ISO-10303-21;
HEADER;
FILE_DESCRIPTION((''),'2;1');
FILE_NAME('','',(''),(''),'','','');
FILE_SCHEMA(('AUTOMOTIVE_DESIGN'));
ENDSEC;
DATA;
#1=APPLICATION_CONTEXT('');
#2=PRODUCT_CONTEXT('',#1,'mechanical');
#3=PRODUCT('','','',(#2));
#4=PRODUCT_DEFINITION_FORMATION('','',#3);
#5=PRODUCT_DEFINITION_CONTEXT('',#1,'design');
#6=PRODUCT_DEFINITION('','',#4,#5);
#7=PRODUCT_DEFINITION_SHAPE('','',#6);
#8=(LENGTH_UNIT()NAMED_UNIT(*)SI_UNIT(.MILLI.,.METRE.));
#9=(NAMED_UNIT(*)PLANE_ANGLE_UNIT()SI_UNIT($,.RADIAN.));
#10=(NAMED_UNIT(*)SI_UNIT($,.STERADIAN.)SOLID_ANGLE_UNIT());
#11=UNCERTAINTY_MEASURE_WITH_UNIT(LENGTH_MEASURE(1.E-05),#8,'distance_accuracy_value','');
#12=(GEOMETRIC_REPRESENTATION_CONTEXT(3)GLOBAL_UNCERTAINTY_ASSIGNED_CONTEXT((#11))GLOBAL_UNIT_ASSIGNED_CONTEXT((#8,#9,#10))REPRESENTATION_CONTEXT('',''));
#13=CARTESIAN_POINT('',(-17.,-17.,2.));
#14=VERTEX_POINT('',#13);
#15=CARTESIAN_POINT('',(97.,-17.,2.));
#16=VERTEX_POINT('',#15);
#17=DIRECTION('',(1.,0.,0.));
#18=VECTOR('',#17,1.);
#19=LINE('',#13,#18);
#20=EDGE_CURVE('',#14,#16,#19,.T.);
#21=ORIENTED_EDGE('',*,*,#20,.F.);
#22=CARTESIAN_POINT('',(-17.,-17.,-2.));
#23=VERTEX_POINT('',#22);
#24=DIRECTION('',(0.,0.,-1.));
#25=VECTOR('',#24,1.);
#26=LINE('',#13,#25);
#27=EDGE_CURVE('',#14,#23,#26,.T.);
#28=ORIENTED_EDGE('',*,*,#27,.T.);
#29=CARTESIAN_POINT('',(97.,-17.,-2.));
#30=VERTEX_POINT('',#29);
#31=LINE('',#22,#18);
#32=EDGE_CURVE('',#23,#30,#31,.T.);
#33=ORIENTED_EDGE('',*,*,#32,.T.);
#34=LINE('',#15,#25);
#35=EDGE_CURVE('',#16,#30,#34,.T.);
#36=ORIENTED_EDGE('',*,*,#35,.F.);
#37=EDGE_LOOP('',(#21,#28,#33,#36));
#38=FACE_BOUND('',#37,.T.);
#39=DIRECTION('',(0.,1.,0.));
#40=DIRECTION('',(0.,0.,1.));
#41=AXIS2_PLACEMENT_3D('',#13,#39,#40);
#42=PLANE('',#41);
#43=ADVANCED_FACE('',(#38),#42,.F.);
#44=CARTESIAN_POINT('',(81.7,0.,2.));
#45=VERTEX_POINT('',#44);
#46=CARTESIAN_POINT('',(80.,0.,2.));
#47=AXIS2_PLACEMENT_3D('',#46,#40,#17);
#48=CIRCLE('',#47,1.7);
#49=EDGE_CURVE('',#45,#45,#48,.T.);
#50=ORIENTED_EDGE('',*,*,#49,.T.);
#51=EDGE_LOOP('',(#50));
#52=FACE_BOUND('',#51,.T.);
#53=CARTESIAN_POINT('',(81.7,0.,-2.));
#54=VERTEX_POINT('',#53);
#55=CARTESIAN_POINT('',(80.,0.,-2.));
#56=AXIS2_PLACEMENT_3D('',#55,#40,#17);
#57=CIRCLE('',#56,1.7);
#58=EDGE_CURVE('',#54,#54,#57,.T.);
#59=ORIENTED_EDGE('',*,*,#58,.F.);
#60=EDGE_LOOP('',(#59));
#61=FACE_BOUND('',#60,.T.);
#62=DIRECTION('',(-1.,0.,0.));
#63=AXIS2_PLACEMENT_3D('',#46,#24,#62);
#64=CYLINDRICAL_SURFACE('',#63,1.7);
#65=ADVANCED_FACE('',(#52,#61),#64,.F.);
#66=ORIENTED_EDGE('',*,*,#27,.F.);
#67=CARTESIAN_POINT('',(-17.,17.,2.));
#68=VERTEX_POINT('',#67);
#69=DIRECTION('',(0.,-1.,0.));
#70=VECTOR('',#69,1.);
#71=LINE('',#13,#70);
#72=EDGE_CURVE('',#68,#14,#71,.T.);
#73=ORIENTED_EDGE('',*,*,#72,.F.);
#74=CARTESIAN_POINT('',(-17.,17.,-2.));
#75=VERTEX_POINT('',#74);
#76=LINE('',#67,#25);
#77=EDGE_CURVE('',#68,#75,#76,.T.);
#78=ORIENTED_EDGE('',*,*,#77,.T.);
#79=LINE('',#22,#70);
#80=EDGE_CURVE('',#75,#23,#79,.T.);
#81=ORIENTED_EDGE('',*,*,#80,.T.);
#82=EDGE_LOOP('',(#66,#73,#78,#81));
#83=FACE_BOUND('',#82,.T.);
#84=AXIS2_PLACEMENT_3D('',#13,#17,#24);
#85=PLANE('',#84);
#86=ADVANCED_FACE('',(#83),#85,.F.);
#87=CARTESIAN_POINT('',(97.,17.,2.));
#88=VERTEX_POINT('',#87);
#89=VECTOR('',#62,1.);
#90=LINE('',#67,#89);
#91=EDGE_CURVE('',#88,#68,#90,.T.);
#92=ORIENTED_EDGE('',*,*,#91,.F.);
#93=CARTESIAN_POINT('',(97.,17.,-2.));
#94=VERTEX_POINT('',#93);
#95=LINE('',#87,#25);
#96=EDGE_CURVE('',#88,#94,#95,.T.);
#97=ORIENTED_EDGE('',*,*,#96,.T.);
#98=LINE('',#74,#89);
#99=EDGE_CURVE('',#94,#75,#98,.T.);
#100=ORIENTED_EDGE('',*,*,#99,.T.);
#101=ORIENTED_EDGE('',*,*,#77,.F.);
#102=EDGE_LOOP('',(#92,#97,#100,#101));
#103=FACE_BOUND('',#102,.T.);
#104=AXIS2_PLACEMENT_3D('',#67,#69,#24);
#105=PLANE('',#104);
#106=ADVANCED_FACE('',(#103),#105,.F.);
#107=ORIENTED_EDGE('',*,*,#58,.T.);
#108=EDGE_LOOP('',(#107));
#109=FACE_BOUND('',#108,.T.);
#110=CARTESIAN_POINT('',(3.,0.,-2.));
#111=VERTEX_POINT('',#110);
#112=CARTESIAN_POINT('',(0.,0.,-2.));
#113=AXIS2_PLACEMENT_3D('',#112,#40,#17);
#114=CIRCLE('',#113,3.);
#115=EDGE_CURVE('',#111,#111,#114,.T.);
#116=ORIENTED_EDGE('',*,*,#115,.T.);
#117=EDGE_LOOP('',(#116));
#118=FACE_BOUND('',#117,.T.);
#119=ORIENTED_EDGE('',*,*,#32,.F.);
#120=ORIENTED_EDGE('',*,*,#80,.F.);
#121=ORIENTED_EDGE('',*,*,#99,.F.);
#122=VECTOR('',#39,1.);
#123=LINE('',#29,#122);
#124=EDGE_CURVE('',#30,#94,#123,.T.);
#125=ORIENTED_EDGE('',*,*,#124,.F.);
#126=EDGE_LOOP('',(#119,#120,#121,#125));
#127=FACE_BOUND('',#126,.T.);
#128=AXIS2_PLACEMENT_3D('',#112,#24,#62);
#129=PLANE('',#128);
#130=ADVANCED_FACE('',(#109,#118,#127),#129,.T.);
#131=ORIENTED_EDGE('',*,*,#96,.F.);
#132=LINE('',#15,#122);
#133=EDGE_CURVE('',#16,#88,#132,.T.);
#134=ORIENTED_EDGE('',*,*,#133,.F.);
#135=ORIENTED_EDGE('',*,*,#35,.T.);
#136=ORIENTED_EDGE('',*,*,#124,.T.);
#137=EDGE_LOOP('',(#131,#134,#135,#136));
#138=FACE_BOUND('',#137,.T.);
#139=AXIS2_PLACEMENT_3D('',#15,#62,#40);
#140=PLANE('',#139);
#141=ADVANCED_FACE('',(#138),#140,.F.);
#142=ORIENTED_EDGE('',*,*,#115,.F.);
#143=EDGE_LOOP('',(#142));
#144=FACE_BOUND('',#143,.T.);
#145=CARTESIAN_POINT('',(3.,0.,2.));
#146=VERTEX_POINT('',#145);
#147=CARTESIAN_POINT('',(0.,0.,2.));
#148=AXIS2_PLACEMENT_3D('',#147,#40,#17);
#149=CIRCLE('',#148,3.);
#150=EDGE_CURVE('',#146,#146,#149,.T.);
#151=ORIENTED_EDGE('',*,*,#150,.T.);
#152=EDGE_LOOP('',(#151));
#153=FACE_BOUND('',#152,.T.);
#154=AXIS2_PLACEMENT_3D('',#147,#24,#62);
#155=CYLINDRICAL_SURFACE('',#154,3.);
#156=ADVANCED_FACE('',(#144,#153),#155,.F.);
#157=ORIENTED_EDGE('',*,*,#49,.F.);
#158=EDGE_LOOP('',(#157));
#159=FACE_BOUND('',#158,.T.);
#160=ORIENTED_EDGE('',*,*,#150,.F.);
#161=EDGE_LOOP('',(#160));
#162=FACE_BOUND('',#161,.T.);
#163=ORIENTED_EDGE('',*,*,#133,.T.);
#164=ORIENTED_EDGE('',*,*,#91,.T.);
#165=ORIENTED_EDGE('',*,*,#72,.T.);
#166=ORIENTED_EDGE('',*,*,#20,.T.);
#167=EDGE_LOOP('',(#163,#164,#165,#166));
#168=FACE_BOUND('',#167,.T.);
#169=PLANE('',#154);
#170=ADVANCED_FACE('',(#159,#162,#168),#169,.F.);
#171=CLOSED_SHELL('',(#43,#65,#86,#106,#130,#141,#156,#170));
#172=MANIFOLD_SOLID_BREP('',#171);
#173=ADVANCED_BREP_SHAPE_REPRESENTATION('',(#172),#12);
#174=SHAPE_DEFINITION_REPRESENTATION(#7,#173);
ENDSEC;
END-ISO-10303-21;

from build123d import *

# Parameters (mm, degrees)
SKETCH_1_W      = 114
SKETCH_1_H      = 34
SKETCH_1_R      = 3
SKETCH_1_R_2    = 1.7
EXTRUDE_1_DEPTH = 2


with BuildPart() as part:
    # 草图1 → 凸台-拉伸1 (new, symmetric)
    with BuildSketch(Plane.XY):
        with Locations((40, 0)):
            Rectangle(SKETCH_1_W, SKETCH_1_H)
        Circle(SKETCH_1_R, mode=Mode.SUBTRACT)
        with Locations((80, 0)):
            Circle(SKETCH_1_R_2, mode=Mode.SUBTRACT)
    extrude(amount=EXTRUDE_1_DEPTH, both=True)


solid = part.part
